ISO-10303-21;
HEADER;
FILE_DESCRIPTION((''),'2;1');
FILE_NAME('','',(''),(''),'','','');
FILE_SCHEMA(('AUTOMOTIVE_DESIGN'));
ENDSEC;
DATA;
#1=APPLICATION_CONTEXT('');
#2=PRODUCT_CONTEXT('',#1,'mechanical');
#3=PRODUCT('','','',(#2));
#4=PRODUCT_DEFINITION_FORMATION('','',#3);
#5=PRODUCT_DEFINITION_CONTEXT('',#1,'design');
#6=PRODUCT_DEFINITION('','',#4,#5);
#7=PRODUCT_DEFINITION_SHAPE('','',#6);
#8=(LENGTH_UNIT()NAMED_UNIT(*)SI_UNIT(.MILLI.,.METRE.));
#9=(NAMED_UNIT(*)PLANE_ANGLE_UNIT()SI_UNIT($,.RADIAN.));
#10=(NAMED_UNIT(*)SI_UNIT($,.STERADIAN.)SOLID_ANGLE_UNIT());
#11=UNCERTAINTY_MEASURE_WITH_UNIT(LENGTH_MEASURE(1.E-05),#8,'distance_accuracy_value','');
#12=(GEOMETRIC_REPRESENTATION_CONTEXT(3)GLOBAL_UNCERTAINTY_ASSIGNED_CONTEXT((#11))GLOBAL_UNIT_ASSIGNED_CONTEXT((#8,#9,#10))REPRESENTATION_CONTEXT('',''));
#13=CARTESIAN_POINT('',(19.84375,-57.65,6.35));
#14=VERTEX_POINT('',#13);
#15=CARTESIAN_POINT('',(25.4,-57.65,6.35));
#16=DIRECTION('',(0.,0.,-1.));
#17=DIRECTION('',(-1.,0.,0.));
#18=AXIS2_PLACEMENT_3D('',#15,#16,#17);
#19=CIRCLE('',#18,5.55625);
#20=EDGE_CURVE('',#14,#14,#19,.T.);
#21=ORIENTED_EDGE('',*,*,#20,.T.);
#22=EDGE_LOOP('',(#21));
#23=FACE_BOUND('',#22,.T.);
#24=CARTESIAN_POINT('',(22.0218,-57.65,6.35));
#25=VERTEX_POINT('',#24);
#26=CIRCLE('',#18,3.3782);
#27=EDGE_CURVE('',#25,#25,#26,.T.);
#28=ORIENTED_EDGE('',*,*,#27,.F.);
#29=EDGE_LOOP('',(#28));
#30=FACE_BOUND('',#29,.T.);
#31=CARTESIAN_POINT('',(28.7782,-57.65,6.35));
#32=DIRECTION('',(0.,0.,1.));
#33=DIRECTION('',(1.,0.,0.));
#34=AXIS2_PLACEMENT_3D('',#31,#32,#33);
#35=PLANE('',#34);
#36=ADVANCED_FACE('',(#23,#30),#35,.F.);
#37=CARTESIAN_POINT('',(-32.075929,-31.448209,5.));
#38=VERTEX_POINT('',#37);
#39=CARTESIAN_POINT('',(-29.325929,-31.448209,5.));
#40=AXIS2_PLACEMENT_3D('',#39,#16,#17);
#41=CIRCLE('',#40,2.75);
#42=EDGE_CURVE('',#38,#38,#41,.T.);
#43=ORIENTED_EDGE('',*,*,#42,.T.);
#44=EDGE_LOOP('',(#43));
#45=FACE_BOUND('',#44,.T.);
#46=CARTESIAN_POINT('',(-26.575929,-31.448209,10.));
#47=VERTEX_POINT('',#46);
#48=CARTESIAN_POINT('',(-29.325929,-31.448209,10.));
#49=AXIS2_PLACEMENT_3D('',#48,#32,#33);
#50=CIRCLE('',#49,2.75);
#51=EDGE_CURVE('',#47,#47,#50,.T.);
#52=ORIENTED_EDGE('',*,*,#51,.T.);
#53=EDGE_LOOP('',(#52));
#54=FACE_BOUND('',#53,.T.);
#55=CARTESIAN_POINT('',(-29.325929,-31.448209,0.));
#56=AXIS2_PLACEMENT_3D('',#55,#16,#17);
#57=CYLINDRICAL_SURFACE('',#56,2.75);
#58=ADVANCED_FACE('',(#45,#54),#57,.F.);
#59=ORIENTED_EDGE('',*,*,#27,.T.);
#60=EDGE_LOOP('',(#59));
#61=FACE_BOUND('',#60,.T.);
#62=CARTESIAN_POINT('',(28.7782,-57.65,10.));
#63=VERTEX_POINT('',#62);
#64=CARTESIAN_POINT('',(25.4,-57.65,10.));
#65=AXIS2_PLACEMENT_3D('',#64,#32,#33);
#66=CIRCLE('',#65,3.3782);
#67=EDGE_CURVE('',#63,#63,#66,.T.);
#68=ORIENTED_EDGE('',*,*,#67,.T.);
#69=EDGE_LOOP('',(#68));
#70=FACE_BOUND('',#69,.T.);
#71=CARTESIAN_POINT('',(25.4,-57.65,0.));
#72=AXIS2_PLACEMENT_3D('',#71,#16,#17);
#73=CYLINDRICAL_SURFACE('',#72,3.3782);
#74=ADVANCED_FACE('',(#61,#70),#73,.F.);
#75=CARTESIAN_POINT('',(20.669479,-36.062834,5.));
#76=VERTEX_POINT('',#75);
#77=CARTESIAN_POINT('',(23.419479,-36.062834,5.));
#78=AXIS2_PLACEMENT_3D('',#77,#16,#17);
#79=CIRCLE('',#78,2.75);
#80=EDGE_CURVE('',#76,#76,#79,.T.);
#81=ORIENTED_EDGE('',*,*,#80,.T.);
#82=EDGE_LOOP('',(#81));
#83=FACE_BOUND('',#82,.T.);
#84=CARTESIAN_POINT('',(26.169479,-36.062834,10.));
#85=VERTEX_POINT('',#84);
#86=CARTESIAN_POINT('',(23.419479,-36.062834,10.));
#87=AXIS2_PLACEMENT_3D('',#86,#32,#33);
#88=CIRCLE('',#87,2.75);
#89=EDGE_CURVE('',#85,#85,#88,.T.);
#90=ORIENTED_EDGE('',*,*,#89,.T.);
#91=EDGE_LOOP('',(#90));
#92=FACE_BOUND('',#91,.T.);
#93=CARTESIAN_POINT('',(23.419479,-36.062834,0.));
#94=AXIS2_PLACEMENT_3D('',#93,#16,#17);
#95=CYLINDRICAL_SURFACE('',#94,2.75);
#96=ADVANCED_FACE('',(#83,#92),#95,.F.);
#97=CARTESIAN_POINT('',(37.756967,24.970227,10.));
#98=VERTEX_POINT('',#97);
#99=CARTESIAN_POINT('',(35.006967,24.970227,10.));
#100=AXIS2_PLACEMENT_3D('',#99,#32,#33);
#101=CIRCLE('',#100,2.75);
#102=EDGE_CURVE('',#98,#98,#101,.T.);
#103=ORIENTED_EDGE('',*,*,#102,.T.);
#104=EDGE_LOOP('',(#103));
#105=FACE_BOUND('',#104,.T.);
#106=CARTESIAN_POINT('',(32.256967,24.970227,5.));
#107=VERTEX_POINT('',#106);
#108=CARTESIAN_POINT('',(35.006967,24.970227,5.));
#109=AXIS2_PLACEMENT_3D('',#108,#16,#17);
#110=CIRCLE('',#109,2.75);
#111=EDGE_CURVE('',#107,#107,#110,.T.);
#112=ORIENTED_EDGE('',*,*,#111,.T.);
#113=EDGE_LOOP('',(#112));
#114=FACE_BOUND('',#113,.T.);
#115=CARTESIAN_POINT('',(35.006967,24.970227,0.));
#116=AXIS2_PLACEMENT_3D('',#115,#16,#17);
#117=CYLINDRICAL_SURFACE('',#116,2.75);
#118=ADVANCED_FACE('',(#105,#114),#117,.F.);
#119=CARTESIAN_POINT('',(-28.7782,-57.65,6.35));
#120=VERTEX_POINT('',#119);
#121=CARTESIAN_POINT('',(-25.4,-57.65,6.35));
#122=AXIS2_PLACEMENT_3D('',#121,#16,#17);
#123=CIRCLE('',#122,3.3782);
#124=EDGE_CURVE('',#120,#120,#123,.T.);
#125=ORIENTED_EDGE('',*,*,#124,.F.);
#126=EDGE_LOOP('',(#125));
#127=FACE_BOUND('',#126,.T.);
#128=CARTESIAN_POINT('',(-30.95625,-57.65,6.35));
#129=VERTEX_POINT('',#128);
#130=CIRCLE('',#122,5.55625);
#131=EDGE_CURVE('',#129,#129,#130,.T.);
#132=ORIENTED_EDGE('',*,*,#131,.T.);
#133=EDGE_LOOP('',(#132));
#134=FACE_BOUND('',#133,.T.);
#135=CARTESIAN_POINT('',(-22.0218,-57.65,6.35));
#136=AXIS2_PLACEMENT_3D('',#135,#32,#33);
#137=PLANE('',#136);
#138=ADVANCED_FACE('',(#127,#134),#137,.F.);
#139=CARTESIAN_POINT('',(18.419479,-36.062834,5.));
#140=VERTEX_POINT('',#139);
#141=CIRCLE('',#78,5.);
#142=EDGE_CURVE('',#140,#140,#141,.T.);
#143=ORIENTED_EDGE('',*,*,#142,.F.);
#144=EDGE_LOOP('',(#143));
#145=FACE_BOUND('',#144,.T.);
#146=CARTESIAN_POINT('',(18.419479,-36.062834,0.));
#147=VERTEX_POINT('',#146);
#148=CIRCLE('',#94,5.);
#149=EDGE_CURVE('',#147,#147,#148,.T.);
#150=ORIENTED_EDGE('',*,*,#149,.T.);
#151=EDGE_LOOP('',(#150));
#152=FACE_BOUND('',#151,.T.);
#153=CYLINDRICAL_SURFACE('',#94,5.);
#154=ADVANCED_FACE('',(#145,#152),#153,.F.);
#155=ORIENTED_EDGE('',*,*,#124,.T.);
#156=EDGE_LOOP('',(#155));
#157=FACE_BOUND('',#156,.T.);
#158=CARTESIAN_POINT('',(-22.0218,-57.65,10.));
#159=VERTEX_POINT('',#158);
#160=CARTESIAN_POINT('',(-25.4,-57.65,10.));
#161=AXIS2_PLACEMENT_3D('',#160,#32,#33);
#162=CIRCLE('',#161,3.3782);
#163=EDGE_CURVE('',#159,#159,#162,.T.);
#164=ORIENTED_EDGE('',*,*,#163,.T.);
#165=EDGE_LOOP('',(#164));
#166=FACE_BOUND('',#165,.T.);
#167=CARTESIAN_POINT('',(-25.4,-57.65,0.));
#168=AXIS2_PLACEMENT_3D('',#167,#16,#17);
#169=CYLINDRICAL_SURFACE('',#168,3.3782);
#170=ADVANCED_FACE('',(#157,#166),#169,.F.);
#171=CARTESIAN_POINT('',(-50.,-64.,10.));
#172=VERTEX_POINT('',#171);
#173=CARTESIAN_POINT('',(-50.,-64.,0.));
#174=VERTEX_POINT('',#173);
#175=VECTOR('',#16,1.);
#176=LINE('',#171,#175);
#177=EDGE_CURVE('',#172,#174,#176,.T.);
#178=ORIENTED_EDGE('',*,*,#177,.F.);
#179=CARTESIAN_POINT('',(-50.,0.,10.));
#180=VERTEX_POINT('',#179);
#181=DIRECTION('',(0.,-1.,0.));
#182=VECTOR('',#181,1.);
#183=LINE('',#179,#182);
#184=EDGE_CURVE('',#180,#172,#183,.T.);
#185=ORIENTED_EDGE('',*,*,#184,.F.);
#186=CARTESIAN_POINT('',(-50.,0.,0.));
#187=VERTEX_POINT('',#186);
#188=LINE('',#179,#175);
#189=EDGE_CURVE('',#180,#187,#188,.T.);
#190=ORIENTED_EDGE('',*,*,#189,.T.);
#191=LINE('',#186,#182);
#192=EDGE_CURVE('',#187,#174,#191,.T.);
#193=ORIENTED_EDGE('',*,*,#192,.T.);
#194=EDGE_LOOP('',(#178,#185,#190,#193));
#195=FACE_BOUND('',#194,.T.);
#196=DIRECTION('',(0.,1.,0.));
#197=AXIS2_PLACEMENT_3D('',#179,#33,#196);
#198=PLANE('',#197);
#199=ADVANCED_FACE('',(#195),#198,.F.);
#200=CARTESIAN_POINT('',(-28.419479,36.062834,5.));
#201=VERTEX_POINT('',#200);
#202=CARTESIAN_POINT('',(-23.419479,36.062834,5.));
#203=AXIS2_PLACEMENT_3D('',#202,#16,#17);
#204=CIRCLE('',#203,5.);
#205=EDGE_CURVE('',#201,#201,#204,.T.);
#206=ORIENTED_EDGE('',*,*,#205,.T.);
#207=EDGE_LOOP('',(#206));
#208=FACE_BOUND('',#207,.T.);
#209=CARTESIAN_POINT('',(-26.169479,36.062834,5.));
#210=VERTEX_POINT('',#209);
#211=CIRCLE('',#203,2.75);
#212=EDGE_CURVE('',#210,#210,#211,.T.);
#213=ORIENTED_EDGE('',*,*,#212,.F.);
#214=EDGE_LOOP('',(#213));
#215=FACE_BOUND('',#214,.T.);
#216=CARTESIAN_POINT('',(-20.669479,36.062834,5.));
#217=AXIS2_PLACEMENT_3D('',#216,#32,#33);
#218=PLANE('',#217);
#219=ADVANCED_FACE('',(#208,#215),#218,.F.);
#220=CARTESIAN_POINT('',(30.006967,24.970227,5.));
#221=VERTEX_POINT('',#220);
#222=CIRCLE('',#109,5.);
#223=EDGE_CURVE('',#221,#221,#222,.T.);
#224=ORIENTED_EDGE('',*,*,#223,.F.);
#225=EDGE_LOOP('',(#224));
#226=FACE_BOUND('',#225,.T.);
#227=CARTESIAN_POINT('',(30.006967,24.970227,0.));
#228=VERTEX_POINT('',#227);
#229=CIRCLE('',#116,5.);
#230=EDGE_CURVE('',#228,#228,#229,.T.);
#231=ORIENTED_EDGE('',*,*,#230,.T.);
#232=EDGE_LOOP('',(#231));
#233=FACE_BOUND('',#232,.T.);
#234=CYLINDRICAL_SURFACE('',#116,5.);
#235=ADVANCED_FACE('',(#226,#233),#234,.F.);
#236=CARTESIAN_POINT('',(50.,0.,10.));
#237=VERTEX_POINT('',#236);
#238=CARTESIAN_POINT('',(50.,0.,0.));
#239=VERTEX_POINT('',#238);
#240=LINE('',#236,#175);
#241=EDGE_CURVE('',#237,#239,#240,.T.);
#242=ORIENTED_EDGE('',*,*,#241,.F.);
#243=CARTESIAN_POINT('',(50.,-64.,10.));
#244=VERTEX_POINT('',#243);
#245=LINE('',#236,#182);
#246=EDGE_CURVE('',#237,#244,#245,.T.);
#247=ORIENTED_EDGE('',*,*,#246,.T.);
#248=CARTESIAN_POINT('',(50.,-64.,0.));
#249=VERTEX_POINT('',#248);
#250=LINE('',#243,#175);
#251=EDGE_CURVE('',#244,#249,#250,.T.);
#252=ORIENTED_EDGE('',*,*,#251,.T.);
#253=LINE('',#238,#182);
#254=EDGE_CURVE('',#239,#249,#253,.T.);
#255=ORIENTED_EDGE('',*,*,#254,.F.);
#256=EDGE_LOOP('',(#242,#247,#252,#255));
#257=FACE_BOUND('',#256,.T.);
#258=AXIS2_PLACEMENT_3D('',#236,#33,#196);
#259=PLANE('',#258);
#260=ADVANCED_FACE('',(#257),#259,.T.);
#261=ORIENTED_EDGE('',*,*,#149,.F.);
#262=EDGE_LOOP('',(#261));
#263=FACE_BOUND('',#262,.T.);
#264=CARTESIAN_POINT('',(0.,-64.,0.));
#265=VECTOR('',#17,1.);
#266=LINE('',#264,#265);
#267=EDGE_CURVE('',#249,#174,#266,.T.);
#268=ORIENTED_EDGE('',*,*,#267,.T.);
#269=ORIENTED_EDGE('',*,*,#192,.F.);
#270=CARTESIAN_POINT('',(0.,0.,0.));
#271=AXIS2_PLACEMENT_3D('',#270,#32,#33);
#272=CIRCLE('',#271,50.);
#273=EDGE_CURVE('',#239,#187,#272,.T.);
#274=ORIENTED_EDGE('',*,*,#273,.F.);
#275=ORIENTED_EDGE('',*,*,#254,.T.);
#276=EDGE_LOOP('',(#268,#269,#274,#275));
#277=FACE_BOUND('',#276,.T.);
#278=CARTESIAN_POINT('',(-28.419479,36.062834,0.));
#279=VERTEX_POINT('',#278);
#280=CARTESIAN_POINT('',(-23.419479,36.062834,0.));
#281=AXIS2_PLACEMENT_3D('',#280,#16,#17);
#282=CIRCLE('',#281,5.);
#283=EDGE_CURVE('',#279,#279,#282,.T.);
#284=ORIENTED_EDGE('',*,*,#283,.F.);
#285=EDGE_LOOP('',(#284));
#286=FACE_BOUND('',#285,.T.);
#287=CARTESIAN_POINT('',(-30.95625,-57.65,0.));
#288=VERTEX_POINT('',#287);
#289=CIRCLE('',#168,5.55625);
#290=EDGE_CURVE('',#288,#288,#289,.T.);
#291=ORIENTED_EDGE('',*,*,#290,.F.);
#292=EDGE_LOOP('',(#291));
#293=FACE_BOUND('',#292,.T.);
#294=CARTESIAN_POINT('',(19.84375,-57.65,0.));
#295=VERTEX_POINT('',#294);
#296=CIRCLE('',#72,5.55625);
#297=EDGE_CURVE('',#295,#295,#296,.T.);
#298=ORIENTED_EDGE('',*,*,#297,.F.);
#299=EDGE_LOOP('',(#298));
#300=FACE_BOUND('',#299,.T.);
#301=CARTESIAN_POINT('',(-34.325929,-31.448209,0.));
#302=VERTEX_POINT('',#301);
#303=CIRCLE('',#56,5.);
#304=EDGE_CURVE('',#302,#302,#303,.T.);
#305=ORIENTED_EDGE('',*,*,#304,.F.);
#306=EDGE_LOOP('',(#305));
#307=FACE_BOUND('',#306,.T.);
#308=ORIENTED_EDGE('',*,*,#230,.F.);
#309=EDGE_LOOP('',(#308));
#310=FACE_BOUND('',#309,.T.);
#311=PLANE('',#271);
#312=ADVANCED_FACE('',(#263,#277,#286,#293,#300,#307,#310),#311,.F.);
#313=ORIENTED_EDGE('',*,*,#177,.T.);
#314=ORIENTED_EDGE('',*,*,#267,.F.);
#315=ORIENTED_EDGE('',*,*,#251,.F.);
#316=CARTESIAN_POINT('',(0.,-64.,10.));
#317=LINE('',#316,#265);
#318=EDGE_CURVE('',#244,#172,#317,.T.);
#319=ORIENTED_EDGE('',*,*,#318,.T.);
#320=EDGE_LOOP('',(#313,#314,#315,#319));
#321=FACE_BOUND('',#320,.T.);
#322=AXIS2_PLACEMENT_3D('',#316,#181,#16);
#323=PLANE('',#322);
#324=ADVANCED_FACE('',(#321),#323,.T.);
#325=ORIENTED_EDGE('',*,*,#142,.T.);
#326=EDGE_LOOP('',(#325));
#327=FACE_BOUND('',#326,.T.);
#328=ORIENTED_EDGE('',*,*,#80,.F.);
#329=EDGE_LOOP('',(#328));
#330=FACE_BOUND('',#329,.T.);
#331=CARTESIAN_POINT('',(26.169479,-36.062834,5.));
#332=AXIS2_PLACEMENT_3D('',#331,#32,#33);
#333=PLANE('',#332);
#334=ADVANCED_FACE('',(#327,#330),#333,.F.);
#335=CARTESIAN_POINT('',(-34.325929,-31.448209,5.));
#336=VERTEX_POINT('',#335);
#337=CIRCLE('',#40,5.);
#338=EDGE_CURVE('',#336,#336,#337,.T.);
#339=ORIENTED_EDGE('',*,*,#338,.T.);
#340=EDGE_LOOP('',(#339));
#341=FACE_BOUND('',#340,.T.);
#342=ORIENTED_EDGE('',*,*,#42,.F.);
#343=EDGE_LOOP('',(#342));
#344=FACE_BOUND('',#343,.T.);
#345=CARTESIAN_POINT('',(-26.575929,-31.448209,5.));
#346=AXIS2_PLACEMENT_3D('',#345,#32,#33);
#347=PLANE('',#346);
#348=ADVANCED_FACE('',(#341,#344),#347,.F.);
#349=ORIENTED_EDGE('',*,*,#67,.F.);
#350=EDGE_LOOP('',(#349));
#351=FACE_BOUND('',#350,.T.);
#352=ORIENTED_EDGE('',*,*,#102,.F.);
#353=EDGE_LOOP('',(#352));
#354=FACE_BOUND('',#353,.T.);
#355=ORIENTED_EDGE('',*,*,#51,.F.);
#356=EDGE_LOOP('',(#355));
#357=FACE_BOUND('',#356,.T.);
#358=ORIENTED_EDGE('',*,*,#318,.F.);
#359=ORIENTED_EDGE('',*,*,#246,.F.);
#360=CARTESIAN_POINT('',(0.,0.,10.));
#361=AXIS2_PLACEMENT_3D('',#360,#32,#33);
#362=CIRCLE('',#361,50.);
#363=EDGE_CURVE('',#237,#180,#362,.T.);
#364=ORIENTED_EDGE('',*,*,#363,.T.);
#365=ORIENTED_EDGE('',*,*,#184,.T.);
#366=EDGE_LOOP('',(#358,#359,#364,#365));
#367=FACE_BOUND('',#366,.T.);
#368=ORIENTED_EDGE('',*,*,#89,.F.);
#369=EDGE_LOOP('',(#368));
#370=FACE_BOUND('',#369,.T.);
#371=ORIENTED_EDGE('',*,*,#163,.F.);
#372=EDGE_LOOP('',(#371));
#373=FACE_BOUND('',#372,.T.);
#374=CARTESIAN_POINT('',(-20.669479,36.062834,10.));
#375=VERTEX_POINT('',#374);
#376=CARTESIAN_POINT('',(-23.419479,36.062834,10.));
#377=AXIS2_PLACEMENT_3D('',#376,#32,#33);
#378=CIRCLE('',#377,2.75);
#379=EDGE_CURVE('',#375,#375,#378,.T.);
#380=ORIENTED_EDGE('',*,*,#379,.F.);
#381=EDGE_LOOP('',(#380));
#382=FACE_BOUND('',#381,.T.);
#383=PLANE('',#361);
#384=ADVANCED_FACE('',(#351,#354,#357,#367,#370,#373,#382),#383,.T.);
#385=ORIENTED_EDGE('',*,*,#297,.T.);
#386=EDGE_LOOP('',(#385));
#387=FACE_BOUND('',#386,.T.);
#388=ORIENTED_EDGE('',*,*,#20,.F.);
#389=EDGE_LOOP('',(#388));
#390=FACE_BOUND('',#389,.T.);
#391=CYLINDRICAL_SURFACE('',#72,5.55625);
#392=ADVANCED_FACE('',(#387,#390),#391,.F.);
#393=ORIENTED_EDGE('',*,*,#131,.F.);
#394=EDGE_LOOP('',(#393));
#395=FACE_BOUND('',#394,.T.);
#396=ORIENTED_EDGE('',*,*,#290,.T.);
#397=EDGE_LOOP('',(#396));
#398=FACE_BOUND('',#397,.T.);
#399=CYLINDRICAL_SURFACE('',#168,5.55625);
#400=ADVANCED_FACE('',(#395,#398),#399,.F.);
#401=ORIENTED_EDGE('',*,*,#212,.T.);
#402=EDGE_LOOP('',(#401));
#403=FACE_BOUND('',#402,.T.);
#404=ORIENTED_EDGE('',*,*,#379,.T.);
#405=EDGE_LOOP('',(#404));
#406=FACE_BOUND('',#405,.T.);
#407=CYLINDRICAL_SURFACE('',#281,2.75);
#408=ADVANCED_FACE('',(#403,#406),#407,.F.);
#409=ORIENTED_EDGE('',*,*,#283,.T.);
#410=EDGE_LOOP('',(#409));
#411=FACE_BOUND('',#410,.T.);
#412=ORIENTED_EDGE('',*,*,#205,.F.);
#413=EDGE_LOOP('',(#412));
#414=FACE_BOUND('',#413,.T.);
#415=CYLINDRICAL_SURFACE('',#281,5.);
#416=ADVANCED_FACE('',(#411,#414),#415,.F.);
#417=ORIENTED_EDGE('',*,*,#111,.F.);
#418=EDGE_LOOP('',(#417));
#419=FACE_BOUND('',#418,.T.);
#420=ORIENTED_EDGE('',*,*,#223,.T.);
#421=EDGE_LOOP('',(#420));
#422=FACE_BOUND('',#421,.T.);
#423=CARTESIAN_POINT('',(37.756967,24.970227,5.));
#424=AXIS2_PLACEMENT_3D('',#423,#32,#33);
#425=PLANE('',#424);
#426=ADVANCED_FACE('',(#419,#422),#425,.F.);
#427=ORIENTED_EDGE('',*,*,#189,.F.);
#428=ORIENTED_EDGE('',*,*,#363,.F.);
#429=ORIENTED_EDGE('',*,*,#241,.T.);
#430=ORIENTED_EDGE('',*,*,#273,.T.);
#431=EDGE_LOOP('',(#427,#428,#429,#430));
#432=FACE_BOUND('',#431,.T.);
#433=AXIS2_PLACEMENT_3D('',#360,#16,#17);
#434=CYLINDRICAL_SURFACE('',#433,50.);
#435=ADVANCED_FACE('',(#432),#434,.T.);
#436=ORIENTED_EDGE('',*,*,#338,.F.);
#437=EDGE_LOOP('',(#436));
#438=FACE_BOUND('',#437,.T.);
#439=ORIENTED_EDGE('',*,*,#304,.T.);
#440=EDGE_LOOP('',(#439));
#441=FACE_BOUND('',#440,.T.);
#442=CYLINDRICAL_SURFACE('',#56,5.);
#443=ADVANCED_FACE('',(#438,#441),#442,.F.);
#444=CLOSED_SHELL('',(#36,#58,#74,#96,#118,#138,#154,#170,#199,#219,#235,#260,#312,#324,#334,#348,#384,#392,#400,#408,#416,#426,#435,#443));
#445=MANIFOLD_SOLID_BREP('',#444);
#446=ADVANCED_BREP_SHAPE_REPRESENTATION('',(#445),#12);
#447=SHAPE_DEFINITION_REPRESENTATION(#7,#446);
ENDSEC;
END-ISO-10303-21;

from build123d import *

# Parameters (mm, degrees)
SKETCH1_R                                        = 50
SKETCH1_W                                        = 100
SKETCH1_H                                        = 64
BOSS_EXTRUDE1_DEPTH                              = 10
CBORE_FOR_M5_SHCS1_D                             = 5.5
CBORE_FOR_M5_SHCS1_CBORE_D                       = 10
CBORE_FOR_M5_SHCS1_CBORE_DEPTH                   = 5
CBORE_FOR_1_4_SOCKET_HEAD_CAP_SCREW1_D           = 6.7564
CBORE_FOR_1_4_SOCKET_HEAD_CAP_SCREW1_CBORE_D     = 11.1125
CBORE_FOR_1_4_SOCKET_HEAD_CAP_SCREW1_CBORE_DEPTH = 6.35


with BuildPart() as part:
    # Sketch1 → Boss-Extrude1 (new body)
    with BuildSketch(Plane.XY):
        Circle(SKETCH1_R)
        with Locations((0, -32)):
            Rectangle(SKETCH1_W, SKETCH1_H)
    extrude(amount=BOSS_EXTRUDE1_DEPTH)

    # CBORE for M5 SHCS1 (through all)
    with Locations(Plane(origin=(0, 0, 0), x_dir=(-1, 0, 0), z_dir=(0, 0, -1))):
        with Locations((-35.006967289, 24.970227096), (-23.419478506, -36.062834422), (29.325929483, -31.44820917), (23.419478506, 36.062834422)):
            CounterBoreHole(CBORE_FOR_M5_SHCS1_D / 2, CBORE_FOR_M5_SHCS1_CBORE_D / 2, CBORE_FOR_M5_SHCS1_CBORE_DEPTH)

    # CBORE for 1/4 Socket Head Cap Screw1 (through all)
    with Locations(Plane(origin=(0, 0, 0), x_dir=(-1, 0, 0), z_dir=(0, 0, -1))):
        with Locations((-25.4, -57.65), (25.4, -57.65)):
            CounterBoreHole(CBORE_FOR_1_4_SOCKET_HEAD_CAP_SCREW1_D / 2, CBORE_FOR_1_4_SOCKET_HEAD_CAP_SCREW1_CBORE_D / 2, CBORE_FOR_1_4_SOCKET_HEAD_CAP_SCREW1_CBORE_DEPTH)


solid = part.part
